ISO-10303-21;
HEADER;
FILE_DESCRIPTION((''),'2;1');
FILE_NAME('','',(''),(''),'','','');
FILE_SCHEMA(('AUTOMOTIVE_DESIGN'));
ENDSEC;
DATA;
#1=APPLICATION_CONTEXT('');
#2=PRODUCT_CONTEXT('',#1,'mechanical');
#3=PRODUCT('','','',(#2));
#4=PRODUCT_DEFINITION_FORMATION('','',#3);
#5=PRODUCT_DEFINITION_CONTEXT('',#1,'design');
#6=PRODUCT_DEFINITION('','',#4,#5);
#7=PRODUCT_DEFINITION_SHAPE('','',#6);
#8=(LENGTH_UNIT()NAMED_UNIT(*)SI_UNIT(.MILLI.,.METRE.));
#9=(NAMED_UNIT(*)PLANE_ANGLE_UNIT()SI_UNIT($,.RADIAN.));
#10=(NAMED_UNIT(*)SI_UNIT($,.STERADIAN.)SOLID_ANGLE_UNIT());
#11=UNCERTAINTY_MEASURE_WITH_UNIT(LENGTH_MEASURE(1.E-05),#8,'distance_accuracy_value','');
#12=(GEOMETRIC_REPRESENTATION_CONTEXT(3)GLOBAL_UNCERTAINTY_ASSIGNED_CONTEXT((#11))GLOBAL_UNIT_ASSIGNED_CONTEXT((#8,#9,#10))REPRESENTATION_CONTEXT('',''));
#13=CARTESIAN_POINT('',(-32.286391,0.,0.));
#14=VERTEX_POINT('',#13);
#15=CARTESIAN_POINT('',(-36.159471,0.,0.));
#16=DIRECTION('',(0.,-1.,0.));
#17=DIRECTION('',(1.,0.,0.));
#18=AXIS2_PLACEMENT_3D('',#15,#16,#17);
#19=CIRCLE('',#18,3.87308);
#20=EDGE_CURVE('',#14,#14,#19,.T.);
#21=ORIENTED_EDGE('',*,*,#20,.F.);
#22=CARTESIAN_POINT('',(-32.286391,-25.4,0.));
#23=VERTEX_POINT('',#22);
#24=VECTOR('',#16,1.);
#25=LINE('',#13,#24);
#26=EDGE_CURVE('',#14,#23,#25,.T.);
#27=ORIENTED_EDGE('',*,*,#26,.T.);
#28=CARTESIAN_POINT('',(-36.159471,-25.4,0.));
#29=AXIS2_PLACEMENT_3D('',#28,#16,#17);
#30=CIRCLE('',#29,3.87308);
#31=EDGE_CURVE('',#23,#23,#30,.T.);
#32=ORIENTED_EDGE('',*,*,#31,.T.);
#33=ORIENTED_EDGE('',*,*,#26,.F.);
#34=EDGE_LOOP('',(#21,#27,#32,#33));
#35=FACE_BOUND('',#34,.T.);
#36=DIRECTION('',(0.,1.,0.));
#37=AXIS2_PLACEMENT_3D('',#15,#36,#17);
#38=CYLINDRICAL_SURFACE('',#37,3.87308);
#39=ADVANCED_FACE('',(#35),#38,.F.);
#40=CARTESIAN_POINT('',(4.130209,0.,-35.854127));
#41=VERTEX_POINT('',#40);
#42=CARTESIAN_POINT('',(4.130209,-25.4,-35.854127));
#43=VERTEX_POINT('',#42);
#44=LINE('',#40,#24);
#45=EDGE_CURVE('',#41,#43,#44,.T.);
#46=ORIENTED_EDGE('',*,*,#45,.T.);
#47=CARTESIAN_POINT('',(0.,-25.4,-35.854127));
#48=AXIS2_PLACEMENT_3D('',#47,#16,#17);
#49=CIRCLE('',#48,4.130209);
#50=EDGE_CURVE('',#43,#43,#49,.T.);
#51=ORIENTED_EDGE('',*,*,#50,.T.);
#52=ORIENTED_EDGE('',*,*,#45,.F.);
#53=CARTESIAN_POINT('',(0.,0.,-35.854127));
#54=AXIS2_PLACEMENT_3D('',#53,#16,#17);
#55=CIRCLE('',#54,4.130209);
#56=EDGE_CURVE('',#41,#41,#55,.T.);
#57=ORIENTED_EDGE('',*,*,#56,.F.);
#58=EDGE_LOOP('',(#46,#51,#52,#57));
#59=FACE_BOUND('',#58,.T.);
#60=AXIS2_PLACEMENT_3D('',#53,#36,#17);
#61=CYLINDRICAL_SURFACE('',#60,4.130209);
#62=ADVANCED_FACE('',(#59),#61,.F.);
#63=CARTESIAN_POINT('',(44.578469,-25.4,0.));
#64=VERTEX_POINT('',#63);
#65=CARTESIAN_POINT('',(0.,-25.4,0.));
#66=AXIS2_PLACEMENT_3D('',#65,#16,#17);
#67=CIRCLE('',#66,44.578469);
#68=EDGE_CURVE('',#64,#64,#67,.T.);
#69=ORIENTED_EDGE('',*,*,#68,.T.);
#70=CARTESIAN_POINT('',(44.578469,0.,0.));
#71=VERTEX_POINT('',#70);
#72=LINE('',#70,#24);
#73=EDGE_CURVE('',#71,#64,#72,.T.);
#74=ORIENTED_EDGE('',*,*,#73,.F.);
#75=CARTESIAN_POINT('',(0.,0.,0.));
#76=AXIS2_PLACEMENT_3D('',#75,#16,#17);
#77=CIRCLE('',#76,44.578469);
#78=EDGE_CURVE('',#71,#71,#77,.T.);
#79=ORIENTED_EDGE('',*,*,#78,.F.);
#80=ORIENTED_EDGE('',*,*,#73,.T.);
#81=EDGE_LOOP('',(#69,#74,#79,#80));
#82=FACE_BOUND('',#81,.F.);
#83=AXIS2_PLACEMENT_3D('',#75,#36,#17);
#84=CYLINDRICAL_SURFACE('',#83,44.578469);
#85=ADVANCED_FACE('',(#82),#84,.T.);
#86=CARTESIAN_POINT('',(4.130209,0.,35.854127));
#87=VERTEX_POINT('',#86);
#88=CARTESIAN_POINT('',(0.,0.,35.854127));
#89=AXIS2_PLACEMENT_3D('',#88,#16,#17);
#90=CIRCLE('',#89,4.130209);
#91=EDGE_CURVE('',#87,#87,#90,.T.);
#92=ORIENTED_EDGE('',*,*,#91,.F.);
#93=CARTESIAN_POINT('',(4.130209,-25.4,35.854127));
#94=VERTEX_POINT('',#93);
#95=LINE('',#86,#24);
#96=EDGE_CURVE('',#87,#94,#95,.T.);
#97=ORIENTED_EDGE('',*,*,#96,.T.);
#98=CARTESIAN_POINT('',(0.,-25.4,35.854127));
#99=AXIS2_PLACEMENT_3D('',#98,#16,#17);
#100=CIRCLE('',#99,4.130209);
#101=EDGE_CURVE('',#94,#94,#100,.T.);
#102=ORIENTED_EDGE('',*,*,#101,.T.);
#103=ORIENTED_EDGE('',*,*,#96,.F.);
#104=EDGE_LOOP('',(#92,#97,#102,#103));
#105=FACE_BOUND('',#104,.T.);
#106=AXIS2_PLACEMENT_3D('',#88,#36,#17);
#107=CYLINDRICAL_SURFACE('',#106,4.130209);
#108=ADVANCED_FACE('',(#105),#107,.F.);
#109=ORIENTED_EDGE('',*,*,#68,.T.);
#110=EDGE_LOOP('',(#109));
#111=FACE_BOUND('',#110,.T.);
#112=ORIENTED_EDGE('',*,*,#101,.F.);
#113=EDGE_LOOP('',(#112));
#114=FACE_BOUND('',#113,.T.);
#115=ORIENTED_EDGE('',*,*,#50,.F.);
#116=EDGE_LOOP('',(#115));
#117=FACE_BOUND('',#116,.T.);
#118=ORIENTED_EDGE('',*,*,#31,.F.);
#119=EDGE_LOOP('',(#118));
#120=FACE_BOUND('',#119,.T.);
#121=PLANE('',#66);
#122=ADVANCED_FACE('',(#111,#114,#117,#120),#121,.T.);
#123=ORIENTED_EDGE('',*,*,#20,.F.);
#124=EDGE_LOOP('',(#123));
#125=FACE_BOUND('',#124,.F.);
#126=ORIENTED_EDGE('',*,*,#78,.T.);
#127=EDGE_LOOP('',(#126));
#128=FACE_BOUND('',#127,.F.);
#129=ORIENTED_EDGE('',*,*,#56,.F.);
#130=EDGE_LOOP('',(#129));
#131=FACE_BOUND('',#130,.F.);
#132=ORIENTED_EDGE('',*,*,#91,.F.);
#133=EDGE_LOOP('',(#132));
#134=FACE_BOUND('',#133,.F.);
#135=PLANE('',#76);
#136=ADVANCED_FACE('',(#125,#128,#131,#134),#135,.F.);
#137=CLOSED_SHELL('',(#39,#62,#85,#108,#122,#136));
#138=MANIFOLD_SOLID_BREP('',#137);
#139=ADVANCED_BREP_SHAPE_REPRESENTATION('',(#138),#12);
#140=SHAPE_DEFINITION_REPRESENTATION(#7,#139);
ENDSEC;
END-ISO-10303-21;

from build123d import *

# Parameters (mm, degrees)
F0_R     = 44.578469
F0_R_2   = 4.130209
F0_R_3   = 3.87308
F1_DEPTH = 25.4


with BuildPart() as f1:
    # F0 (on Front) → F1 (new body)
    with BuildSketch(Plane.XZ):
        Circle(F0_R)
        with Locations((0, -35.854127)):
            Circle(F0_R_2, mode=Mode.SUBTRACT)
        with Locations((-36.159471, 0)):
            Circle(F0_R_3, mode=Mode.SUBTRACT)
        with Locations((0, 35.854127)):
            Circle(F0_R_2, mode=Mode.SUBTRACT)
    extrude(amount=F1_DEPTH)


solid = f1.part
